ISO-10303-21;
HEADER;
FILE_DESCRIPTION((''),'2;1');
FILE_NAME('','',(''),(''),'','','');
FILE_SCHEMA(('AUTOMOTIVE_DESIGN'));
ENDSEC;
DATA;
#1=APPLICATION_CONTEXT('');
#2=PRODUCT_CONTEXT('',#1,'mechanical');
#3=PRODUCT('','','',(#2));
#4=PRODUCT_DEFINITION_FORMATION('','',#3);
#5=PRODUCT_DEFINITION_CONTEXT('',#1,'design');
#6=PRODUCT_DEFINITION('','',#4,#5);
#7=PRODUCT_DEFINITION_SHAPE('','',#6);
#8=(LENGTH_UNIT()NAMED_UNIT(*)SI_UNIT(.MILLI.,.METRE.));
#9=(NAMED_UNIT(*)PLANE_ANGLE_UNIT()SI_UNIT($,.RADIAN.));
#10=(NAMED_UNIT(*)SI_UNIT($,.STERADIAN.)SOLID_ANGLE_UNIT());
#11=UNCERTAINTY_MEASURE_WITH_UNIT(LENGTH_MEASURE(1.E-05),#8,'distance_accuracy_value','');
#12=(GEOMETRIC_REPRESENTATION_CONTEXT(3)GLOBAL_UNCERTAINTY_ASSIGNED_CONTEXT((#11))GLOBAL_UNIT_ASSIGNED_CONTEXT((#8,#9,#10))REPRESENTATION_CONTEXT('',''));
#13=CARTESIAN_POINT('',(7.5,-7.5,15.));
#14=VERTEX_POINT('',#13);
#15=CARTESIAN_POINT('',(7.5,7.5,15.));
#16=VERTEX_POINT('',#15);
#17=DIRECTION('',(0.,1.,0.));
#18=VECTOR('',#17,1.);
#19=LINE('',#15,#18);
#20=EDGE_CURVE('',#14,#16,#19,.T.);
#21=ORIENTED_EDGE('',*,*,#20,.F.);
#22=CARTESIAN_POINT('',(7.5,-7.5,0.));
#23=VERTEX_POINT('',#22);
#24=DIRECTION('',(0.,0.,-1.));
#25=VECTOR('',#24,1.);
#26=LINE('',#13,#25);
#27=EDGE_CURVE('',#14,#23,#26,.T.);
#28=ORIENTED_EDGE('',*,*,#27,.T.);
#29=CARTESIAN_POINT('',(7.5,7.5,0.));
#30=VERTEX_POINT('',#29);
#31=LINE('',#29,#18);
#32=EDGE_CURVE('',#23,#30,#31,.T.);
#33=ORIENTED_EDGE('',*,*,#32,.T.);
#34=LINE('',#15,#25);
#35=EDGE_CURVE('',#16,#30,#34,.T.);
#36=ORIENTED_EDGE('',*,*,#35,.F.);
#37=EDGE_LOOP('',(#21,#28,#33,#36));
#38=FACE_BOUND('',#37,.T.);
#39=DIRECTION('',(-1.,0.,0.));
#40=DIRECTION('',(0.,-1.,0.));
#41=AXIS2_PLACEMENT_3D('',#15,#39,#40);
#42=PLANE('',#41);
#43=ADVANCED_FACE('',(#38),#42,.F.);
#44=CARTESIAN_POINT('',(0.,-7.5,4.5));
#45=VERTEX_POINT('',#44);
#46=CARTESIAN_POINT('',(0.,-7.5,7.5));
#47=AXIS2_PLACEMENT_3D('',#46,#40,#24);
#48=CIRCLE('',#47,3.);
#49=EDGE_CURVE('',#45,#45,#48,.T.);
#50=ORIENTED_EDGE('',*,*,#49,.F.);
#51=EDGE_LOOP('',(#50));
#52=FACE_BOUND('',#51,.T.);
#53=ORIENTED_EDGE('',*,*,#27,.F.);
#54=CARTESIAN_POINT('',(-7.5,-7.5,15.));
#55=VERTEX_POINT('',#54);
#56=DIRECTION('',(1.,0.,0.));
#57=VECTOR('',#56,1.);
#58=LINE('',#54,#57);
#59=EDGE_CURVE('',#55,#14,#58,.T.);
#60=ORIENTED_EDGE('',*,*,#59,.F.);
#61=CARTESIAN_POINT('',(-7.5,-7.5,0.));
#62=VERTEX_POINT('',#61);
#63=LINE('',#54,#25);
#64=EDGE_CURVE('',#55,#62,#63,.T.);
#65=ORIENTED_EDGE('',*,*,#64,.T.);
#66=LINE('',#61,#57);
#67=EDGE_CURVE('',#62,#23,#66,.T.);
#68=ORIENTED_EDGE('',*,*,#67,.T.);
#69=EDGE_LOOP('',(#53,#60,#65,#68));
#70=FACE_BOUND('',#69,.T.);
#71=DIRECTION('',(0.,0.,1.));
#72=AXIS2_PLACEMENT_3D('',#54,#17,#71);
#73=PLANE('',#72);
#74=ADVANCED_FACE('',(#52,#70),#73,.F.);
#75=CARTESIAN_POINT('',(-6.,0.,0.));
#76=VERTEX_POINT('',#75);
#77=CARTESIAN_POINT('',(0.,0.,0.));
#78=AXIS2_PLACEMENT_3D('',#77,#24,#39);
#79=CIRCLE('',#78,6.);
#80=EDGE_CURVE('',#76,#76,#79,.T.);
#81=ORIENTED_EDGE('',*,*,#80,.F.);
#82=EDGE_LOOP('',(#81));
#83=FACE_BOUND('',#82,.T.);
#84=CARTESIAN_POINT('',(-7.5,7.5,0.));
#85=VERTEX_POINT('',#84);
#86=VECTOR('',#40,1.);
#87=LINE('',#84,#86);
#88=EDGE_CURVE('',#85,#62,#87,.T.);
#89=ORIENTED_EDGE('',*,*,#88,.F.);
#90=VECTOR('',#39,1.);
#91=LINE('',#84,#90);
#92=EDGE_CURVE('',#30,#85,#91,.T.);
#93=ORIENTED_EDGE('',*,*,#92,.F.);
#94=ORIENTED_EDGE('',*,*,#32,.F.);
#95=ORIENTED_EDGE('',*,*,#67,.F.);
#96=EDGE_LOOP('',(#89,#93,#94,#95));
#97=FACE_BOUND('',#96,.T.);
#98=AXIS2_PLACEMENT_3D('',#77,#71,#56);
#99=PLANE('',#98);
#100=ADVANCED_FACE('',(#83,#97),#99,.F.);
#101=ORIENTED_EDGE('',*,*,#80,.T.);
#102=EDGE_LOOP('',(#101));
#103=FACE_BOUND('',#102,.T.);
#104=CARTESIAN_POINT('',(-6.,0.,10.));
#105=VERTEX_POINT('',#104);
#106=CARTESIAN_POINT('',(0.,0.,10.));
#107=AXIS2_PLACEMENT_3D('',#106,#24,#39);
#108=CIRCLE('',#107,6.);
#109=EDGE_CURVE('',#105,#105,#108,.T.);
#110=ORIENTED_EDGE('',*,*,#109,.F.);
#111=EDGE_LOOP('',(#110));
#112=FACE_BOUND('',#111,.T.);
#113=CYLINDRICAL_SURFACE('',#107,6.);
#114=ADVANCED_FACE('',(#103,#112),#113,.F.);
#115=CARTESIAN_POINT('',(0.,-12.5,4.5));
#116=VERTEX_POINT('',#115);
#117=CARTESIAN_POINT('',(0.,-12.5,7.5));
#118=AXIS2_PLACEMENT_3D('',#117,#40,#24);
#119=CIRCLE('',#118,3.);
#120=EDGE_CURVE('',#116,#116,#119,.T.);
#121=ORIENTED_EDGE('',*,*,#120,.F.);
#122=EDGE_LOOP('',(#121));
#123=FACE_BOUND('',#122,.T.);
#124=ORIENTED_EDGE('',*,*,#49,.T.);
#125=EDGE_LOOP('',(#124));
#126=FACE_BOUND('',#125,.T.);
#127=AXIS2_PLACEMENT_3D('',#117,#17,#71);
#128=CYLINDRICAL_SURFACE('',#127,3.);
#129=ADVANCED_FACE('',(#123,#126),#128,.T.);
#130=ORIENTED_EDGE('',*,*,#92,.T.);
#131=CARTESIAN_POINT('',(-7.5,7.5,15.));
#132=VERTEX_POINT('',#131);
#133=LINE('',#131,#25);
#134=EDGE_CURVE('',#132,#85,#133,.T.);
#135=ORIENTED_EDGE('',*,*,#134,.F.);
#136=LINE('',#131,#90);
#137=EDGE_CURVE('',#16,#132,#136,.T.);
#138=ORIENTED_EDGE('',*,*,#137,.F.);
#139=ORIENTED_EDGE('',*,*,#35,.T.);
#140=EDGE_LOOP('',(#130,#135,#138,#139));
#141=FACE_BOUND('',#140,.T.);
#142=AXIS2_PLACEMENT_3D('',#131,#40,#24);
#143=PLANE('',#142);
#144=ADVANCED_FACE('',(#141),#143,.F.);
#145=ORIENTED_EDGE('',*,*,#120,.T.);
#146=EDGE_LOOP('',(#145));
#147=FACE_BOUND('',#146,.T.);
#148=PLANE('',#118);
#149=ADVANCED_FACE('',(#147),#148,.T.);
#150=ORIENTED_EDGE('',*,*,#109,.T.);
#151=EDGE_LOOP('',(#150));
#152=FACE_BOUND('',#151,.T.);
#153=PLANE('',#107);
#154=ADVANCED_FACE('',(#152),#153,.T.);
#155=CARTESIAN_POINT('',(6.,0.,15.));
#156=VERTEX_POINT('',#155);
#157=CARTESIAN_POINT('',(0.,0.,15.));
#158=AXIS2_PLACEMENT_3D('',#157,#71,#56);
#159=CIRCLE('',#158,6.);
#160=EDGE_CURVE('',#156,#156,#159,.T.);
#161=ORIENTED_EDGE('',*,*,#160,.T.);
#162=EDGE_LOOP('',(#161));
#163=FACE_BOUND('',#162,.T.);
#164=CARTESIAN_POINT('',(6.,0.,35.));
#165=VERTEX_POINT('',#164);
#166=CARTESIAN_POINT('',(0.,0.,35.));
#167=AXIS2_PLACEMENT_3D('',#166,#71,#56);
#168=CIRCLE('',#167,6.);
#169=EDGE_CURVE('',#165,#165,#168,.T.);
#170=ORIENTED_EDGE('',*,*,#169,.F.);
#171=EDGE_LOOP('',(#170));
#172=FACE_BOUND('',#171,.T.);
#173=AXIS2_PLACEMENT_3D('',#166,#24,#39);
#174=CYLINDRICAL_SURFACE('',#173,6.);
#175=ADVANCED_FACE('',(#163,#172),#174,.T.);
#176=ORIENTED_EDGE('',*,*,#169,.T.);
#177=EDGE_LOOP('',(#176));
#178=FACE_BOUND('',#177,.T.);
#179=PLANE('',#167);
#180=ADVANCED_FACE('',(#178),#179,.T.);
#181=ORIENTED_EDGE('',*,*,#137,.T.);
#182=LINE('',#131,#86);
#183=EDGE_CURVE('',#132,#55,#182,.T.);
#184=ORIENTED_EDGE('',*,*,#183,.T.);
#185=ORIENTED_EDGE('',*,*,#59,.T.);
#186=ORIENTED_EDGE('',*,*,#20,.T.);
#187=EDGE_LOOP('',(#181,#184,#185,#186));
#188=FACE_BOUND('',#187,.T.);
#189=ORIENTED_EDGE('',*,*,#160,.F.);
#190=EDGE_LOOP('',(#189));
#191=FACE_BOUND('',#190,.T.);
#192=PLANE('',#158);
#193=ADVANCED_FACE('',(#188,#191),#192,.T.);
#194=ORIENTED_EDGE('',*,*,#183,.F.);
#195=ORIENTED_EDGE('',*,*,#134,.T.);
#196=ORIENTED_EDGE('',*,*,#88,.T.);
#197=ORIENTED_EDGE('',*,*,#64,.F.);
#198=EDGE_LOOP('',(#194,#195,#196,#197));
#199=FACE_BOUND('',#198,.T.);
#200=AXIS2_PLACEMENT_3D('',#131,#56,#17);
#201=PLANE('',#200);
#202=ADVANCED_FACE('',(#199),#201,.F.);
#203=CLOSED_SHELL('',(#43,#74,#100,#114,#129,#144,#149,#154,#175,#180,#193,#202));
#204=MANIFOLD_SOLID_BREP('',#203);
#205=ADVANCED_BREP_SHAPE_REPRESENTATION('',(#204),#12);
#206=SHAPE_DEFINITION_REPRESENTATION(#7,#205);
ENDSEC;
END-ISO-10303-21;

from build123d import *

# Parameters (mm, degrees)
SKETCH1_W           = 15
SKETCH1_H           = 15
BOSS_EXTRUDE1_DEPTH = 15
SKETCH2_R           = 6
BOSS_EXTRUDE2_DEPTH = 20
SKETCH3_R           = 6
CUT_EXTRUDE1_DEPTH  = 10
SKETCH4_R           = 3
BOSS_EXTRUDE3_DEPTH = 5


with BuildPart() as part:
    # Sketch1 → Boss-Extrude1 (new body)
    with BuildSketch(Plane.XY):
        Rectangle(SKETCH1_W, SKETCH1_H)
    extrude(amount=BOSS_EXTRUDE1_DEPTH)

    # Sketch2 → Boss-Extrude2 (add)
    with BuildSketch(Plane.XY.offset(15)):
        Circle(SKETCH2_R)
    extrude(amount=BOSS_EXTRUDE2_DEPTH)

    # Sketch3 → Cut-Extrude1 (cut)
    with BuildSketch(Plane(origin=(0, 0, 0), x_dir=(-1, 0, 0), z_dir=(0, 0, -1))):
        with Locations(Location((0, 0, 0), (0, 0, 180))):
            Circle(SKETCH3_R)
    extrude(amount=-CUT_EXTRUDE1_DEPTH, mode=Mode.SUBTRACT)

    # Sketch4 → Boss-Extrude3 (add)
    with BuildSketch(Plane.XZ.offset(7.5)):
        with Locations(Location((0, 7.5, 0), (0, 0, 270))):
            Circle(SKETCH4_R)
    extrude(amount=BOSS_EXTRUDE3_DEPTH)


solid = part.part
